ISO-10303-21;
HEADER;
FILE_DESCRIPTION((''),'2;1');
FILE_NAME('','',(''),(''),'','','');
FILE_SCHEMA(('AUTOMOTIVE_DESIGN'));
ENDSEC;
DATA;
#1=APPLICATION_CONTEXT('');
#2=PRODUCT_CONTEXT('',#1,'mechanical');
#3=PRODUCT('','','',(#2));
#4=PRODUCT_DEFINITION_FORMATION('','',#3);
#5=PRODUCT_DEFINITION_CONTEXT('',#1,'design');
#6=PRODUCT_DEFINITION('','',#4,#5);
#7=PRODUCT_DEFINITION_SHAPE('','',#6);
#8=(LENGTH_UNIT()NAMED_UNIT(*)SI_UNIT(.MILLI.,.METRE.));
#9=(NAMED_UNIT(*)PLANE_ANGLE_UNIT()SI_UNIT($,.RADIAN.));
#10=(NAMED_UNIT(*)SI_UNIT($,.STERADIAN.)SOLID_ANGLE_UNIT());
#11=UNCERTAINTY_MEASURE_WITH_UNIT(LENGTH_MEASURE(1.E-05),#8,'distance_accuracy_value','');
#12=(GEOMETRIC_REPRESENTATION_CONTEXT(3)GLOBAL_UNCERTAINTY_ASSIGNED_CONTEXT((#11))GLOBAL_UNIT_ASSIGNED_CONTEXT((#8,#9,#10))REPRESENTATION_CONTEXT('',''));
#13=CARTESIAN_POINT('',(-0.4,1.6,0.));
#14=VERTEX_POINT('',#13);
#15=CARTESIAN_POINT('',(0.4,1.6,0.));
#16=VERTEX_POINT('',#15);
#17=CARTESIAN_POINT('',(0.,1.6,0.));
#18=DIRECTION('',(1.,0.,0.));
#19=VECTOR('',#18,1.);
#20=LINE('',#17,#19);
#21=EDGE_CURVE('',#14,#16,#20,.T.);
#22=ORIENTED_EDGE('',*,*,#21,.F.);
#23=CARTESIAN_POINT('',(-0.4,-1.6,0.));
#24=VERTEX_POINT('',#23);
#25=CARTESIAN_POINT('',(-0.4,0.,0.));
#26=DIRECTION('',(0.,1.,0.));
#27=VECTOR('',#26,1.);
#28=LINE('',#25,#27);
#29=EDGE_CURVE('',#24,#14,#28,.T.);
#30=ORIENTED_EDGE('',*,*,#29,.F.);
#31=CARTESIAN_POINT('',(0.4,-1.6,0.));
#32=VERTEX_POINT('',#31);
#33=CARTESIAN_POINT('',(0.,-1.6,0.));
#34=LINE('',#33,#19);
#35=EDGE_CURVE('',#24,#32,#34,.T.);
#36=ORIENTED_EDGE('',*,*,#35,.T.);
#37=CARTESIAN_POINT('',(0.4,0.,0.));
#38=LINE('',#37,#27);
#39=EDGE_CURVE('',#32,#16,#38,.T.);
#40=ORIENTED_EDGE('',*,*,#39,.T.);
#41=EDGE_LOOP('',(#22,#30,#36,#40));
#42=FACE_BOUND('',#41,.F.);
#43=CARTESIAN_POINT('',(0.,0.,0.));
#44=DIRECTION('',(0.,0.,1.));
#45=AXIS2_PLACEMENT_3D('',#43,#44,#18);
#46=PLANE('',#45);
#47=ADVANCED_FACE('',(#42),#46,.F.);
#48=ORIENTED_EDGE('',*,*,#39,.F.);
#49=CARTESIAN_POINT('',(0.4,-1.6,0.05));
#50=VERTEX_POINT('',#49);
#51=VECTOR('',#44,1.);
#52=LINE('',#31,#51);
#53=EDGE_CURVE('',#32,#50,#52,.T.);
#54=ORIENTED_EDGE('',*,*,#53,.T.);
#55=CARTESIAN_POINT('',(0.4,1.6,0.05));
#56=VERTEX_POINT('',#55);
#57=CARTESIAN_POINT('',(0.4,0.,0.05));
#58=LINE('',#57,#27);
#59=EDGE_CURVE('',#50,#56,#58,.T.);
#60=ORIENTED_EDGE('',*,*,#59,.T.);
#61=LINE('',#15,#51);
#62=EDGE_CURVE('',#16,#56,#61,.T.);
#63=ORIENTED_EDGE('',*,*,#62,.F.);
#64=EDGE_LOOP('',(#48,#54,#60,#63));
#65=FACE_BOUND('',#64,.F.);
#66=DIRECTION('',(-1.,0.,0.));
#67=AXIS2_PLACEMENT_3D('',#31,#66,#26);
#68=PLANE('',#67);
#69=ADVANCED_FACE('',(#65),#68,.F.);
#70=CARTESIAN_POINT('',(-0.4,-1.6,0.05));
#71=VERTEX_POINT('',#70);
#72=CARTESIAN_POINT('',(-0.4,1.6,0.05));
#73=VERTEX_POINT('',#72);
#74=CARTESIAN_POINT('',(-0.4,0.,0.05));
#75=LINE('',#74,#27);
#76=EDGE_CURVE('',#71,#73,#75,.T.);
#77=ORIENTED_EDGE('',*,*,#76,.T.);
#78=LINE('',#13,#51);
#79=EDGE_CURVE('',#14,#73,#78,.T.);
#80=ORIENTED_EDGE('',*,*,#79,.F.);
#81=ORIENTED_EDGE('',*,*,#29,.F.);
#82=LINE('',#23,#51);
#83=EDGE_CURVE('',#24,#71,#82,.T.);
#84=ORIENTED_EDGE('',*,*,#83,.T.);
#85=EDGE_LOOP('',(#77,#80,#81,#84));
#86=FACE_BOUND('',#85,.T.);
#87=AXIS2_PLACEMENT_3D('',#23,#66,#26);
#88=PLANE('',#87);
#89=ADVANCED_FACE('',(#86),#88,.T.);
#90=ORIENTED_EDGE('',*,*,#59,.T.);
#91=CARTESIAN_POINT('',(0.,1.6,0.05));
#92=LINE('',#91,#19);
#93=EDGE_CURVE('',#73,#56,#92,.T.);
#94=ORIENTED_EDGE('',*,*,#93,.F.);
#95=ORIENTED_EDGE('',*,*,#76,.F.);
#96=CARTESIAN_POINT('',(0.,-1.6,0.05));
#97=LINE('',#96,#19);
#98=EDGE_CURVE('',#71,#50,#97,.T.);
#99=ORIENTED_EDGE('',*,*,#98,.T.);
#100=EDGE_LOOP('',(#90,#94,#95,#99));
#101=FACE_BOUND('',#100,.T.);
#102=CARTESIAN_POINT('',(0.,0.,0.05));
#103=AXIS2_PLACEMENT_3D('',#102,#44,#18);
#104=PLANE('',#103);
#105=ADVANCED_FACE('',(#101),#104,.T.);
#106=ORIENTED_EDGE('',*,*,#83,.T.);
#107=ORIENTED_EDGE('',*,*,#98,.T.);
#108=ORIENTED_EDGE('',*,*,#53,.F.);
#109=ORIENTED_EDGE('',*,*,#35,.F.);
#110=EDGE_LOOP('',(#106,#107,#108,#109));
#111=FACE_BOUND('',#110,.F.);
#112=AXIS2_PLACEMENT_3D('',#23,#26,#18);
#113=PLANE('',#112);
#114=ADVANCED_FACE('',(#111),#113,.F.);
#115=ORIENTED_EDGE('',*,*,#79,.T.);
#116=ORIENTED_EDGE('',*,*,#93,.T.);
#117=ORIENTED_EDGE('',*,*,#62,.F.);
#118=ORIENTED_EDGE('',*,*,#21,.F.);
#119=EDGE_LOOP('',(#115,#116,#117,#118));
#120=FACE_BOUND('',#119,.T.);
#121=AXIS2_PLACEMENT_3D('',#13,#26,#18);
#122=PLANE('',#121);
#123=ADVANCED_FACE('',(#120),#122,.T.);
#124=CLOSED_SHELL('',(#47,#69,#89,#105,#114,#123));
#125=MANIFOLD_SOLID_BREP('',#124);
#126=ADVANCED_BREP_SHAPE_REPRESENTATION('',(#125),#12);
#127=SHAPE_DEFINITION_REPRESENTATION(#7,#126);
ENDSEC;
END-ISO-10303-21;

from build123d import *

# Parameters (mm, degrees)
SKETCH_W  = 0.8
SKETCH_H  = 3.2
PAD_DEPTH = 0.05


with BuildPart() as part:
    # Sketch → Pad (new body)
    with BuildSketch(Plane.XY):
        Rectangle(SKETCH_W, SKETCH_H)
    extrude(amount=PAD_DEPTH)


solid = part.part
